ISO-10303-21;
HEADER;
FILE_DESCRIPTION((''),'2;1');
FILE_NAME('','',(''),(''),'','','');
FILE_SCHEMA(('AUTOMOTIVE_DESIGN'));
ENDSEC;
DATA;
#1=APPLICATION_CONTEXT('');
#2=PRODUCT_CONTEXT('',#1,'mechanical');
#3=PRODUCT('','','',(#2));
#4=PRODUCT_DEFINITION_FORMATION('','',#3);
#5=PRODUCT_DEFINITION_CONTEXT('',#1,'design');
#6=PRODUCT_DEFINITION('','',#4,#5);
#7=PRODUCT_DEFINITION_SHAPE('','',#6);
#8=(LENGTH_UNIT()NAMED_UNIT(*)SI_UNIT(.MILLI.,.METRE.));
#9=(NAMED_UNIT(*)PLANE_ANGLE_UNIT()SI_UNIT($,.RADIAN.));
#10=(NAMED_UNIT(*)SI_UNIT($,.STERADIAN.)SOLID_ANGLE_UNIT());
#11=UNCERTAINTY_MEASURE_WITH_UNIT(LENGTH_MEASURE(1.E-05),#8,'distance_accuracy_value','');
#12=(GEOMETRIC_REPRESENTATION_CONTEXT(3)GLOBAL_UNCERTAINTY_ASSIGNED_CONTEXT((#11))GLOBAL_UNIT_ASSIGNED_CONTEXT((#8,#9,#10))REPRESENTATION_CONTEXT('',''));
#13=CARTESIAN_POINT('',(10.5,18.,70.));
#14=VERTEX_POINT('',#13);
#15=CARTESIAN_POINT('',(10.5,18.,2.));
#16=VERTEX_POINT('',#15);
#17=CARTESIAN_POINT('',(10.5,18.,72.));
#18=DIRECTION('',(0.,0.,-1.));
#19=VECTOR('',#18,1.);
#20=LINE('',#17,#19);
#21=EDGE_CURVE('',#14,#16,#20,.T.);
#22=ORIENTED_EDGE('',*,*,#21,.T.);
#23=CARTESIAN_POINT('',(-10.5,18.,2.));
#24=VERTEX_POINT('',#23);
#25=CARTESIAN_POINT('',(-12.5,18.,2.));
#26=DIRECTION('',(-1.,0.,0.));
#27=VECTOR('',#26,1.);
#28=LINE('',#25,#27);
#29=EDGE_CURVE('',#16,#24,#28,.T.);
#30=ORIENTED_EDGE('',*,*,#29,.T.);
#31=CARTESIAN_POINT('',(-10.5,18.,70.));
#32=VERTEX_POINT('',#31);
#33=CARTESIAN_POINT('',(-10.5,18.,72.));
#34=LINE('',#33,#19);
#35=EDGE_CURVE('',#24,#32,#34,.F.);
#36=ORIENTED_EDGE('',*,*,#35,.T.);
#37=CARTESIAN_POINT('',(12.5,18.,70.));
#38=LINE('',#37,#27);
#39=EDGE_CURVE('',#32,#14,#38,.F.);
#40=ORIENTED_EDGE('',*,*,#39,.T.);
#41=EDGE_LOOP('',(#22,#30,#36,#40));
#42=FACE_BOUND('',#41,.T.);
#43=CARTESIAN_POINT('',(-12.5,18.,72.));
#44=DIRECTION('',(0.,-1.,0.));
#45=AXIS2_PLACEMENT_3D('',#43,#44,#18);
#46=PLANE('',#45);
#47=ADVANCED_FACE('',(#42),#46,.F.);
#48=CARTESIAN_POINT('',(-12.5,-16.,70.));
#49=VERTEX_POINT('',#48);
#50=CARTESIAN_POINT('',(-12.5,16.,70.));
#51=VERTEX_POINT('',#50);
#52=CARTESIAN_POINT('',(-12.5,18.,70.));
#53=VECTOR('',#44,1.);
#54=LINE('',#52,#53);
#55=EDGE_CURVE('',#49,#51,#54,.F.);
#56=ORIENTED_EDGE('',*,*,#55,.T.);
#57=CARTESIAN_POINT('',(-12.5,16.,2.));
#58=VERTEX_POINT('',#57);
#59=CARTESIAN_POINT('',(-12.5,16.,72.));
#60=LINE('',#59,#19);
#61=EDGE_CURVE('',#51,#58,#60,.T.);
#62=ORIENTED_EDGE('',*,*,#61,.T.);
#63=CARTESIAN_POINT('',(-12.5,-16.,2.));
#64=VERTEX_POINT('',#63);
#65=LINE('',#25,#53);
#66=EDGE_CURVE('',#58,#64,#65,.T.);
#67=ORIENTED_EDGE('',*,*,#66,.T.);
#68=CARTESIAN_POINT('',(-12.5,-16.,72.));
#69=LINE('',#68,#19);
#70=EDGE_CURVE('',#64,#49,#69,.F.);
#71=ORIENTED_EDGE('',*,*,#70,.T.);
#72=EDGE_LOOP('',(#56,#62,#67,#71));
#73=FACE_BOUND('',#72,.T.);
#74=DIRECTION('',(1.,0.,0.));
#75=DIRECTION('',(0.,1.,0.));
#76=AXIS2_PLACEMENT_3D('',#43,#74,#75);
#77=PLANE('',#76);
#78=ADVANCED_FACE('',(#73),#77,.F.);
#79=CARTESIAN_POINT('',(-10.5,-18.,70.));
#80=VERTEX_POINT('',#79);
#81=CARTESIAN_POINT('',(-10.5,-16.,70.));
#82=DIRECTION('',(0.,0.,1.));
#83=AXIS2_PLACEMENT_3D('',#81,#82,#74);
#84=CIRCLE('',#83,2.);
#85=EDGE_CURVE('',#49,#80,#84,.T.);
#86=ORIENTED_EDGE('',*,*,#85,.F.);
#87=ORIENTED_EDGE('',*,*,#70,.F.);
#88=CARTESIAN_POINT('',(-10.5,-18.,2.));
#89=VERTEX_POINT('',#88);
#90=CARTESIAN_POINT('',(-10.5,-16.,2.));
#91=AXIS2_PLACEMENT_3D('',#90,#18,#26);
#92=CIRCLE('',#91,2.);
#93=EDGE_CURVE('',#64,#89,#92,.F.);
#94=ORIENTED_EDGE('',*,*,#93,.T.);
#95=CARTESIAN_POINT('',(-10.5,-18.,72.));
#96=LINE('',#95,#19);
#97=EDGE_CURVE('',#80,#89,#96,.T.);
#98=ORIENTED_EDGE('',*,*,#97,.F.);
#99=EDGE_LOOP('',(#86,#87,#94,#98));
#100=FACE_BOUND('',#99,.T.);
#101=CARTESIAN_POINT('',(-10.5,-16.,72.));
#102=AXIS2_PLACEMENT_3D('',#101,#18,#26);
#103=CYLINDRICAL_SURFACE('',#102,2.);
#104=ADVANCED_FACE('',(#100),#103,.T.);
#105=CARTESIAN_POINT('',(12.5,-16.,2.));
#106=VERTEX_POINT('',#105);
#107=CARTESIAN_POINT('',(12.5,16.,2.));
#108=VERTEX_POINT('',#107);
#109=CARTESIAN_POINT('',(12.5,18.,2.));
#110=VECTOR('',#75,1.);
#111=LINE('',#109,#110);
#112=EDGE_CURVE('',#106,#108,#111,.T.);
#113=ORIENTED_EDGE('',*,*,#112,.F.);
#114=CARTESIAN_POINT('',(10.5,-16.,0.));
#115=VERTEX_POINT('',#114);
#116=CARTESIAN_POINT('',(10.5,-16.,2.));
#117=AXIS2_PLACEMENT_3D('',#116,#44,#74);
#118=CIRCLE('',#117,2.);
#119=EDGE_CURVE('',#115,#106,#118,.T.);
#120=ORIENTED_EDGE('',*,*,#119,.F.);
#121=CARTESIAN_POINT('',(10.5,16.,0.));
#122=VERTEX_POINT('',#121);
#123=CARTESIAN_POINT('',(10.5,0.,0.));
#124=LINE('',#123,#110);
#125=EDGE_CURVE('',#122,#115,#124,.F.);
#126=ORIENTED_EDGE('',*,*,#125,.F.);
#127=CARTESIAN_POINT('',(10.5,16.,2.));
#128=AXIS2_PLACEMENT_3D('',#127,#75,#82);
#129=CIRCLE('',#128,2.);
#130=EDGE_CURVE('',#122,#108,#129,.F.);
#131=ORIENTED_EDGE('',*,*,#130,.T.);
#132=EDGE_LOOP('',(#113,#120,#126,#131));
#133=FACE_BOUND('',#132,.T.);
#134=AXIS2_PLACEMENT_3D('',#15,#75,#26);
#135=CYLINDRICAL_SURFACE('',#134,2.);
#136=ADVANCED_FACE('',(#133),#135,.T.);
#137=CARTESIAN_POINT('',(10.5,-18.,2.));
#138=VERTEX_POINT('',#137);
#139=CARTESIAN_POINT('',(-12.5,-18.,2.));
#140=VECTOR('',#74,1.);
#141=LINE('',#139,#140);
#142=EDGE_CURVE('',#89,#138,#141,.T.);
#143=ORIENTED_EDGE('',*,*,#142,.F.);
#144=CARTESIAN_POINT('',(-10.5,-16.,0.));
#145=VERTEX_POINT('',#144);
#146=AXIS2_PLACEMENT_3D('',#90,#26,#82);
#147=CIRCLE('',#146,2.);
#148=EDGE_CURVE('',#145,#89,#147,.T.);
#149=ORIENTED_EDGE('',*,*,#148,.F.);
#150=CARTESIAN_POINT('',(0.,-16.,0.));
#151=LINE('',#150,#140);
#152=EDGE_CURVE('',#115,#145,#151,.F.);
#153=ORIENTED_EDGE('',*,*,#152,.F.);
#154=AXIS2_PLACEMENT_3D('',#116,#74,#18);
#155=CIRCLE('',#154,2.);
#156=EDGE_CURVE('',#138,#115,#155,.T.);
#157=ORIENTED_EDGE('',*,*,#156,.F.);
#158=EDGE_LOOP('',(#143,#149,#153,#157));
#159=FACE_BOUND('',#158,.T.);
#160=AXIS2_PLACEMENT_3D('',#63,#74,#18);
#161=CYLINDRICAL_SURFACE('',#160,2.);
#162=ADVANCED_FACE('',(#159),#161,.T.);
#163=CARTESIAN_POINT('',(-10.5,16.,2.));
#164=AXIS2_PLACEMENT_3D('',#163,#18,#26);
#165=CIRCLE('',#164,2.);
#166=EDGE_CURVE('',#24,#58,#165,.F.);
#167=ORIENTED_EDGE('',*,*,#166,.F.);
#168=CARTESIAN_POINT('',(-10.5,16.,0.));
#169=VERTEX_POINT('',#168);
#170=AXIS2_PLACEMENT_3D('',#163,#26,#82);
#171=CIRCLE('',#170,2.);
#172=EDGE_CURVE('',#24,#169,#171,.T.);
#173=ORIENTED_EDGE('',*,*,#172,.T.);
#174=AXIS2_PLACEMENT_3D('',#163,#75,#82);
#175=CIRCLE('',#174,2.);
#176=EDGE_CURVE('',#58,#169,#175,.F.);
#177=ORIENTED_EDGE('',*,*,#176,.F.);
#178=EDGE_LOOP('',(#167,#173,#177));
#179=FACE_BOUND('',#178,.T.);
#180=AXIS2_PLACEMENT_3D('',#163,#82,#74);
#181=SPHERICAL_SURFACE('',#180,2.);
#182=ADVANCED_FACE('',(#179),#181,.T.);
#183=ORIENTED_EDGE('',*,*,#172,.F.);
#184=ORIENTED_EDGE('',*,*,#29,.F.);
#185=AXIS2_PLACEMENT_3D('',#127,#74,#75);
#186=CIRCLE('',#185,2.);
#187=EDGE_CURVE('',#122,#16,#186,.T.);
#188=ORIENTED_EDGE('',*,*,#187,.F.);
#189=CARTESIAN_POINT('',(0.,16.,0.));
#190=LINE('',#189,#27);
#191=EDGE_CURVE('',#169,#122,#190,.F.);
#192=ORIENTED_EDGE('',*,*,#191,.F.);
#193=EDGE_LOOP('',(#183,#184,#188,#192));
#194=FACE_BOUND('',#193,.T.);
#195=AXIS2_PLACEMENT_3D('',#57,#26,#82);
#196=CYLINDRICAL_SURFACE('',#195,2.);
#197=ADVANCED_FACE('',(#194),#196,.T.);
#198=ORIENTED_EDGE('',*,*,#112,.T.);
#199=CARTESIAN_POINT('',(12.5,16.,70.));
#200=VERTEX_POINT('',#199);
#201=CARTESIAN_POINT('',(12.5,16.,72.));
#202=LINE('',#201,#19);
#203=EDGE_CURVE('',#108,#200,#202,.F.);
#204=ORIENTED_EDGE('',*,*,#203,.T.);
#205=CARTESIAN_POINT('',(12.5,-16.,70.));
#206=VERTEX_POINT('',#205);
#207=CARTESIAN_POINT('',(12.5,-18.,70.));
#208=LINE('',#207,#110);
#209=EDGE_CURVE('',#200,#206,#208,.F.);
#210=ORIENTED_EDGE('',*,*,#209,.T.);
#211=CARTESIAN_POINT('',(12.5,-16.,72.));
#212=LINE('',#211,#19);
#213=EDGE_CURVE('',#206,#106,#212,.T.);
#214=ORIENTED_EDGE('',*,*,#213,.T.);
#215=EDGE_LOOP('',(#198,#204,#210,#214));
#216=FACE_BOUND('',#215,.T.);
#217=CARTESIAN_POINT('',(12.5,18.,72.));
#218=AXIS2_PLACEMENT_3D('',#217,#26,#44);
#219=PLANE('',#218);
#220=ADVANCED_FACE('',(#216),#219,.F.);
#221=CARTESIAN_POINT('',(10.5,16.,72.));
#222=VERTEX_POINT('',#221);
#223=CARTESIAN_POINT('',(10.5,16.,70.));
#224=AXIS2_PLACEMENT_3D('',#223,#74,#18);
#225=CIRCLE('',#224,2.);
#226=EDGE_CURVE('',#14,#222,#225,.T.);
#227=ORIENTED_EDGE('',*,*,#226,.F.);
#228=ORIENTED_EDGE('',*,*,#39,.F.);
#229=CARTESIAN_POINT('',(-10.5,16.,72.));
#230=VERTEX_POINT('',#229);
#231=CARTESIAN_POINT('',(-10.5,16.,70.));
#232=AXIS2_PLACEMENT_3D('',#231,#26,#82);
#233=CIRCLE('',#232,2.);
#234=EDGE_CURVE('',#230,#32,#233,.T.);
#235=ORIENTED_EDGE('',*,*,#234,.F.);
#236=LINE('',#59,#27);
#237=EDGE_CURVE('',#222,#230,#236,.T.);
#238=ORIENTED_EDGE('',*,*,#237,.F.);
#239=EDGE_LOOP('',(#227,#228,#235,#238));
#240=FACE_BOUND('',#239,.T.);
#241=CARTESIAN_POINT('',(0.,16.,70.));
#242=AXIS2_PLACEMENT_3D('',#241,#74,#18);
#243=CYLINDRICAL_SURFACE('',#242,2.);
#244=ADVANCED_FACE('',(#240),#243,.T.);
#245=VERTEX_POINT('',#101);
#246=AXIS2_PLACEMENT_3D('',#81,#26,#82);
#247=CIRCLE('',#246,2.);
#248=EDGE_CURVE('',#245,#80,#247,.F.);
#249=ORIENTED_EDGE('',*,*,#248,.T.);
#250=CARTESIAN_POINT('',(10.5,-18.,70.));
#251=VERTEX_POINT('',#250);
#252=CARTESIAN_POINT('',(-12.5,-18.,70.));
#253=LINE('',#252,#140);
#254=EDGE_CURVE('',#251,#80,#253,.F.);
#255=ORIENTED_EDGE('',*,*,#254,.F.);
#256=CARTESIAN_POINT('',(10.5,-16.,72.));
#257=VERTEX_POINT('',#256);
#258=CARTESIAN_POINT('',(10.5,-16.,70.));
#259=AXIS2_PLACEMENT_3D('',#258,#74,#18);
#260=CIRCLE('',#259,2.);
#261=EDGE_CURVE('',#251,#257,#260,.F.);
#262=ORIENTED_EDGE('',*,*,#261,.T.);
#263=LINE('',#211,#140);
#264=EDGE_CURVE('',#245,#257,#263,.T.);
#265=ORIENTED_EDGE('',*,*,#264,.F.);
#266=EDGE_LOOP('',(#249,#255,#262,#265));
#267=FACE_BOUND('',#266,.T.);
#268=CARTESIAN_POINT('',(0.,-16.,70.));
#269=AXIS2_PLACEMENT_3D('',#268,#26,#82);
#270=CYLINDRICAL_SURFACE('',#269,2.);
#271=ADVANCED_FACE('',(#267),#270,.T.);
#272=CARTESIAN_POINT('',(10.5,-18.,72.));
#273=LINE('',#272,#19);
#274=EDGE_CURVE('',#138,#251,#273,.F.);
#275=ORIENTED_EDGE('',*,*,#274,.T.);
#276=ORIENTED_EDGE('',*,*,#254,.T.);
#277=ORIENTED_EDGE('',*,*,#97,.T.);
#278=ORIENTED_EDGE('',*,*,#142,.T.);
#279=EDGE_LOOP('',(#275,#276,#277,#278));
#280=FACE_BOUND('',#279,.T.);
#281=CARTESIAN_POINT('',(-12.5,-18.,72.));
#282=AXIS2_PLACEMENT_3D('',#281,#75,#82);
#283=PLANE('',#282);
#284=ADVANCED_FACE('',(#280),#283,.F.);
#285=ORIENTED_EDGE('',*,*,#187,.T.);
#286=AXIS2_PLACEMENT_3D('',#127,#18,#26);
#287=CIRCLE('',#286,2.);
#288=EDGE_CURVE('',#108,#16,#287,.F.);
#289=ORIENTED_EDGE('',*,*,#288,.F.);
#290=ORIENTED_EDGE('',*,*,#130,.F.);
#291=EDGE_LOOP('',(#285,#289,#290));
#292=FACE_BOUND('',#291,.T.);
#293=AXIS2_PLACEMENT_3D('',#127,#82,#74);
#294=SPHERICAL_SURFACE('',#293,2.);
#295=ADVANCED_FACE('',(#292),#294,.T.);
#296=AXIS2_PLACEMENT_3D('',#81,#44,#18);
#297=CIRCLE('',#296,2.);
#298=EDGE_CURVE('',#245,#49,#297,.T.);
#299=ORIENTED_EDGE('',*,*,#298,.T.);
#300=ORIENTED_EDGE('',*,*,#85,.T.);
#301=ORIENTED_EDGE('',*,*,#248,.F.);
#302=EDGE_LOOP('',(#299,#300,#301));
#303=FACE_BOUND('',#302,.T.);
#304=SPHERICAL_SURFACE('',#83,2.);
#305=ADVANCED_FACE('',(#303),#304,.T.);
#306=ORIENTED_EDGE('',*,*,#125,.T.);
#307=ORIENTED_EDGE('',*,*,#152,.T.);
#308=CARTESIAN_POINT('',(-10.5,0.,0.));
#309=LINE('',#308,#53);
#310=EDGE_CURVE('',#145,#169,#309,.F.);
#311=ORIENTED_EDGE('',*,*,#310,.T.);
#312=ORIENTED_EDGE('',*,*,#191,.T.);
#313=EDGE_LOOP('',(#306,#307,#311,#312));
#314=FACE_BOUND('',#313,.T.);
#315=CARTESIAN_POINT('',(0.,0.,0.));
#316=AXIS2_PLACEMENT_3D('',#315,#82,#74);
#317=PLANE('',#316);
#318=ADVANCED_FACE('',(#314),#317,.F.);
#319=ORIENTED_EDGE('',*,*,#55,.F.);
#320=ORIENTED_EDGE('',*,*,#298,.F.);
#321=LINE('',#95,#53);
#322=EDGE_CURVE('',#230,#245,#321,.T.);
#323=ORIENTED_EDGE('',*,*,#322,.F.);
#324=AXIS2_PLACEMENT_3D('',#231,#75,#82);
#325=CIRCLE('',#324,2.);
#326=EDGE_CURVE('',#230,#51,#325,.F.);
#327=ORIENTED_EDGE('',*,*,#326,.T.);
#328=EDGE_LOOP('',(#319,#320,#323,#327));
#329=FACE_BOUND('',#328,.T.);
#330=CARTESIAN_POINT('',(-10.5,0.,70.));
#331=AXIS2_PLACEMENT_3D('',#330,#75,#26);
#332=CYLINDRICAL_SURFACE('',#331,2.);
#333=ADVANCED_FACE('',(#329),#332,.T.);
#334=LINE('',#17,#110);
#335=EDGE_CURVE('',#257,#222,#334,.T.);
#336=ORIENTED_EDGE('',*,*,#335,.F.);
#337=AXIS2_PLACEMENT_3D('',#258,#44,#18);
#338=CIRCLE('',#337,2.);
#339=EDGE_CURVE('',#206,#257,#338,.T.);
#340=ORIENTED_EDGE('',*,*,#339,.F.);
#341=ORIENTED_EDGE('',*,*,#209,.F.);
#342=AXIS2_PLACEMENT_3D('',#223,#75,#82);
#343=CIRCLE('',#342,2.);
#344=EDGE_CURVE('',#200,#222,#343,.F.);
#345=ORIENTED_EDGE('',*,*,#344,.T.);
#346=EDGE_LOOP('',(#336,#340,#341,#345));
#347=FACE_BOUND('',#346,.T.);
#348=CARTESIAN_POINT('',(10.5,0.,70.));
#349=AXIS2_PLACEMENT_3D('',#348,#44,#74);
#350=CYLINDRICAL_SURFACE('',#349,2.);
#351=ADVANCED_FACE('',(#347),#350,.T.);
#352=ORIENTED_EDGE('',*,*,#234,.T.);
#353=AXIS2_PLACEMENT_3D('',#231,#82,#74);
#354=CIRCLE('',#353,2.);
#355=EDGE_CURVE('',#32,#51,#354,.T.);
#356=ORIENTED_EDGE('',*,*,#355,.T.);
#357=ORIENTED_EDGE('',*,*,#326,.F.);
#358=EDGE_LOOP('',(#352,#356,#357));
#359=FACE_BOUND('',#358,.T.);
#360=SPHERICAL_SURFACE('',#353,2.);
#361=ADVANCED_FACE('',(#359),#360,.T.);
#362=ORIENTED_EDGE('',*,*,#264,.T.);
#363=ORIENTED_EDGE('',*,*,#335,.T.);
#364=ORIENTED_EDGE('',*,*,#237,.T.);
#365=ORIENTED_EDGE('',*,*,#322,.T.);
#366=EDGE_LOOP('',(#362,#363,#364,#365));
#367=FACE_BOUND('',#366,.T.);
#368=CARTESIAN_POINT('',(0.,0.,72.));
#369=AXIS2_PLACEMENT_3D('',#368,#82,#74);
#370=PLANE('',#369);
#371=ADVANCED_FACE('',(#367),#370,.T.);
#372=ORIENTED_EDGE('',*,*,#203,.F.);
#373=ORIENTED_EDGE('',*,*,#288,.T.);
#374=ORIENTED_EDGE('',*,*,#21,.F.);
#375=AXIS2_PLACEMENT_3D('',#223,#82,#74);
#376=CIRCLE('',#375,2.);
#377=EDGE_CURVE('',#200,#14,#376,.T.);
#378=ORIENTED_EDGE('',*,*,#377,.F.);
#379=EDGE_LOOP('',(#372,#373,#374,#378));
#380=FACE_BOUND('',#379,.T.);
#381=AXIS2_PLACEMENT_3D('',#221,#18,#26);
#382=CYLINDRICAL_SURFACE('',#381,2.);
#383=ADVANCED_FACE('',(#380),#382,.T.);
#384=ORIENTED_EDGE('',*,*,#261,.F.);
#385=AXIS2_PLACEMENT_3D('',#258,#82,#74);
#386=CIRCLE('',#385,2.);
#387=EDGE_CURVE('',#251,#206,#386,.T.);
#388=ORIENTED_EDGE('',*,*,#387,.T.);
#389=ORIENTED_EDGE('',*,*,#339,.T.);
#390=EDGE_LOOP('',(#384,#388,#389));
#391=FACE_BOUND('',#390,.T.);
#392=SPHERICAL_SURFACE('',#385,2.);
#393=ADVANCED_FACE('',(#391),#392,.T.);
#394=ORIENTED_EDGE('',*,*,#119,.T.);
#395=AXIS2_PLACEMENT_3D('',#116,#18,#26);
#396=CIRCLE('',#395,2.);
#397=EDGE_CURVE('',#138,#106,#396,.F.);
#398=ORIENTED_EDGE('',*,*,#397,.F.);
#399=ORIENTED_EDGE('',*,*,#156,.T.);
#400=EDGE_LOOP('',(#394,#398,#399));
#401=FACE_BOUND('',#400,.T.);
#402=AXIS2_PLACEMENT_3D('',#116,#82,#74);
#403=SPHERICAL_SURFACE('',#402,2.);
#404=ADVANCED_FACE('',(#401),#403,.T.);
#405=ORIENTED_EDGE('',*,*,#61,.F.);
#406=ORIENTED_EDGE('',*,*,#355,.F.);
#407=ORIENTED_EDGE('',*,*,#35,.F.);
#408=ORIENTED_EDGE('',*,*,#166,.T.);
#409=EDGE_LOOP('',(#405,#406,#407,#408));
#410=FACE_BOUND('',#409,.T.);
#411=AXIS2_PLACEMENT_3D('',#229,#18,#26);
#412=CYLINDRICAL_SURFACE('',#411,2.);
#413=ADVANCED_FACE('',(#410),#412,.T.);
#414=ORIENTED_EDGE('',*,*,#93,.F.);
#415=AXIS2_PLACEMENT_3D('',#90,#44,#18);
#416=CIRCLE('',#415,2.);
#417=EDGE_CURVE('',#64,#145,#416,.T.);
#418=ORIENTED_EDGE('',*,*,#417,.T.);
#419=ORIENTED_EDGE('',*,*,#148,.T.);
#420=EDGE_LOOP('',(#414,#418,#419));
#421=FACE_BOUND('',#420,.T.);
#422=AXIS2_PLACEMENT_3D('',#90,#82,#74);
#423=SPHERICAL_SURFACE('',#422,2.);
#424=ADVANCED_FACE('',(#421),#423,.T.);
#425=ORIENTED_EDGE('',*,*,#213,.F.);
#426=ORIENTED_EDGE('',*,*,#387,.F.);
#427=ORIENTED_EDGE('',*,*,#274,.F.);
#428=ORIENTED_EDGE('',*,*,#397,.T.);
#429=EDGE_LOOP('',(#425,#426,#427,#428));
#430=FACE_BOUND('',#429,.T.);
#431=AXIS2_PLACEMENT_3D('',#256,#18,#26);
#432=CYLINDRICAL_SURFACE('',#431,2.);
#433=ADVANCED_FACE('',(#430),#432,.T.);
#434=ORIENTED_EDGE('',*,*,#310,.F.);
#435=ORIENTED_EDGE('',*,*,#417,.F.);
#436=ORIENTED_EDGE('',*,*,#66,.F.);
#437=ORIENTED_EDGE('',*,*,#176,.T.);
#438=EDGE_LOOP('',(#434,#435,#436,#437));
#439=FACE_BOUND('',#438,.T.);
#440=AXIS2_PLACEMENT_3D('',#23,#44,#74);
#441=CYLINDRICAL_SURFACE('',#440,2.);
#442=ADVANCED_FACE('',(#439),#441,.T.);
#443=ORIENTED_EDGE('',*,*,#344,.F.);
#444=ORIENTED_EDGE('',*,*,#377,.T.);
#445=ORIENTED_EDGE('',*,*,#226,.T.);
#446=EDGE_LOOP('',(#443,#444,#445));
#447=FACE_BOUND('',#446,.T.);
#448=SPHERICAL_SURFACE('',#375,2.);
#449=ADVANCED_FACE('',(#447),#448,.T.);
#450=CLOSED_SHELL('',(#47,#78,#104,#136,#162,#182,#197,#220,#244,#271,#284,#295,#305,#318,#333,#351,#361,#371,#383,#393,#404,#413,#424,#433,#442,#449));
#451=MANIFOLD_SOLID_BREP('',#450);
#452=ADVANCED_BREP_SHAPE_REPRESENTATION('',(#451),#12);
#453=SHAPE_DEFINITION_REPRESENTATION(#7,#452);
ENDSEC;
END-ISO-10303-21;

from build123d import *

# Parameters (mm, degrees)
CROQUIS1_W              = 25
CROQUIS1_H              = 36
SALIENTE_EXTRUIR1_DEPTH = 72
REDONDEO1_R             = 2


with BuildPart() as part:
    # Croquis1 → Saliente-Extruir1 (new body)
    with BuildSketch(Plane.XY):
        Rectangle(CROQUIS1_W, CROQUIS1_H)
    extrude(amount=SALIENTE_EXTRUIR1_DEPTH)

    # Redondeo1
    redondeo1_edges = [part.edges().sort_by_distance(p)[0] for p in [
        (-12.5, 0, 72),
        (0, -18, 72),
        (12.5, 0, 72),
        (0, -18, 0),
        (-12.5, 0, 0),
        (0, 18, 0),
        (12.5, 0, 0),
        (12.5, -18, 36),
        (-12.5, -18, 36),
        (-12.5, 18, 36),
        (12.5, 18, 36),
        (0, 18, 72),
    ]]
    fillet(redondeo1_edges, radius=REDONDEO1_R)


solid = part.part
